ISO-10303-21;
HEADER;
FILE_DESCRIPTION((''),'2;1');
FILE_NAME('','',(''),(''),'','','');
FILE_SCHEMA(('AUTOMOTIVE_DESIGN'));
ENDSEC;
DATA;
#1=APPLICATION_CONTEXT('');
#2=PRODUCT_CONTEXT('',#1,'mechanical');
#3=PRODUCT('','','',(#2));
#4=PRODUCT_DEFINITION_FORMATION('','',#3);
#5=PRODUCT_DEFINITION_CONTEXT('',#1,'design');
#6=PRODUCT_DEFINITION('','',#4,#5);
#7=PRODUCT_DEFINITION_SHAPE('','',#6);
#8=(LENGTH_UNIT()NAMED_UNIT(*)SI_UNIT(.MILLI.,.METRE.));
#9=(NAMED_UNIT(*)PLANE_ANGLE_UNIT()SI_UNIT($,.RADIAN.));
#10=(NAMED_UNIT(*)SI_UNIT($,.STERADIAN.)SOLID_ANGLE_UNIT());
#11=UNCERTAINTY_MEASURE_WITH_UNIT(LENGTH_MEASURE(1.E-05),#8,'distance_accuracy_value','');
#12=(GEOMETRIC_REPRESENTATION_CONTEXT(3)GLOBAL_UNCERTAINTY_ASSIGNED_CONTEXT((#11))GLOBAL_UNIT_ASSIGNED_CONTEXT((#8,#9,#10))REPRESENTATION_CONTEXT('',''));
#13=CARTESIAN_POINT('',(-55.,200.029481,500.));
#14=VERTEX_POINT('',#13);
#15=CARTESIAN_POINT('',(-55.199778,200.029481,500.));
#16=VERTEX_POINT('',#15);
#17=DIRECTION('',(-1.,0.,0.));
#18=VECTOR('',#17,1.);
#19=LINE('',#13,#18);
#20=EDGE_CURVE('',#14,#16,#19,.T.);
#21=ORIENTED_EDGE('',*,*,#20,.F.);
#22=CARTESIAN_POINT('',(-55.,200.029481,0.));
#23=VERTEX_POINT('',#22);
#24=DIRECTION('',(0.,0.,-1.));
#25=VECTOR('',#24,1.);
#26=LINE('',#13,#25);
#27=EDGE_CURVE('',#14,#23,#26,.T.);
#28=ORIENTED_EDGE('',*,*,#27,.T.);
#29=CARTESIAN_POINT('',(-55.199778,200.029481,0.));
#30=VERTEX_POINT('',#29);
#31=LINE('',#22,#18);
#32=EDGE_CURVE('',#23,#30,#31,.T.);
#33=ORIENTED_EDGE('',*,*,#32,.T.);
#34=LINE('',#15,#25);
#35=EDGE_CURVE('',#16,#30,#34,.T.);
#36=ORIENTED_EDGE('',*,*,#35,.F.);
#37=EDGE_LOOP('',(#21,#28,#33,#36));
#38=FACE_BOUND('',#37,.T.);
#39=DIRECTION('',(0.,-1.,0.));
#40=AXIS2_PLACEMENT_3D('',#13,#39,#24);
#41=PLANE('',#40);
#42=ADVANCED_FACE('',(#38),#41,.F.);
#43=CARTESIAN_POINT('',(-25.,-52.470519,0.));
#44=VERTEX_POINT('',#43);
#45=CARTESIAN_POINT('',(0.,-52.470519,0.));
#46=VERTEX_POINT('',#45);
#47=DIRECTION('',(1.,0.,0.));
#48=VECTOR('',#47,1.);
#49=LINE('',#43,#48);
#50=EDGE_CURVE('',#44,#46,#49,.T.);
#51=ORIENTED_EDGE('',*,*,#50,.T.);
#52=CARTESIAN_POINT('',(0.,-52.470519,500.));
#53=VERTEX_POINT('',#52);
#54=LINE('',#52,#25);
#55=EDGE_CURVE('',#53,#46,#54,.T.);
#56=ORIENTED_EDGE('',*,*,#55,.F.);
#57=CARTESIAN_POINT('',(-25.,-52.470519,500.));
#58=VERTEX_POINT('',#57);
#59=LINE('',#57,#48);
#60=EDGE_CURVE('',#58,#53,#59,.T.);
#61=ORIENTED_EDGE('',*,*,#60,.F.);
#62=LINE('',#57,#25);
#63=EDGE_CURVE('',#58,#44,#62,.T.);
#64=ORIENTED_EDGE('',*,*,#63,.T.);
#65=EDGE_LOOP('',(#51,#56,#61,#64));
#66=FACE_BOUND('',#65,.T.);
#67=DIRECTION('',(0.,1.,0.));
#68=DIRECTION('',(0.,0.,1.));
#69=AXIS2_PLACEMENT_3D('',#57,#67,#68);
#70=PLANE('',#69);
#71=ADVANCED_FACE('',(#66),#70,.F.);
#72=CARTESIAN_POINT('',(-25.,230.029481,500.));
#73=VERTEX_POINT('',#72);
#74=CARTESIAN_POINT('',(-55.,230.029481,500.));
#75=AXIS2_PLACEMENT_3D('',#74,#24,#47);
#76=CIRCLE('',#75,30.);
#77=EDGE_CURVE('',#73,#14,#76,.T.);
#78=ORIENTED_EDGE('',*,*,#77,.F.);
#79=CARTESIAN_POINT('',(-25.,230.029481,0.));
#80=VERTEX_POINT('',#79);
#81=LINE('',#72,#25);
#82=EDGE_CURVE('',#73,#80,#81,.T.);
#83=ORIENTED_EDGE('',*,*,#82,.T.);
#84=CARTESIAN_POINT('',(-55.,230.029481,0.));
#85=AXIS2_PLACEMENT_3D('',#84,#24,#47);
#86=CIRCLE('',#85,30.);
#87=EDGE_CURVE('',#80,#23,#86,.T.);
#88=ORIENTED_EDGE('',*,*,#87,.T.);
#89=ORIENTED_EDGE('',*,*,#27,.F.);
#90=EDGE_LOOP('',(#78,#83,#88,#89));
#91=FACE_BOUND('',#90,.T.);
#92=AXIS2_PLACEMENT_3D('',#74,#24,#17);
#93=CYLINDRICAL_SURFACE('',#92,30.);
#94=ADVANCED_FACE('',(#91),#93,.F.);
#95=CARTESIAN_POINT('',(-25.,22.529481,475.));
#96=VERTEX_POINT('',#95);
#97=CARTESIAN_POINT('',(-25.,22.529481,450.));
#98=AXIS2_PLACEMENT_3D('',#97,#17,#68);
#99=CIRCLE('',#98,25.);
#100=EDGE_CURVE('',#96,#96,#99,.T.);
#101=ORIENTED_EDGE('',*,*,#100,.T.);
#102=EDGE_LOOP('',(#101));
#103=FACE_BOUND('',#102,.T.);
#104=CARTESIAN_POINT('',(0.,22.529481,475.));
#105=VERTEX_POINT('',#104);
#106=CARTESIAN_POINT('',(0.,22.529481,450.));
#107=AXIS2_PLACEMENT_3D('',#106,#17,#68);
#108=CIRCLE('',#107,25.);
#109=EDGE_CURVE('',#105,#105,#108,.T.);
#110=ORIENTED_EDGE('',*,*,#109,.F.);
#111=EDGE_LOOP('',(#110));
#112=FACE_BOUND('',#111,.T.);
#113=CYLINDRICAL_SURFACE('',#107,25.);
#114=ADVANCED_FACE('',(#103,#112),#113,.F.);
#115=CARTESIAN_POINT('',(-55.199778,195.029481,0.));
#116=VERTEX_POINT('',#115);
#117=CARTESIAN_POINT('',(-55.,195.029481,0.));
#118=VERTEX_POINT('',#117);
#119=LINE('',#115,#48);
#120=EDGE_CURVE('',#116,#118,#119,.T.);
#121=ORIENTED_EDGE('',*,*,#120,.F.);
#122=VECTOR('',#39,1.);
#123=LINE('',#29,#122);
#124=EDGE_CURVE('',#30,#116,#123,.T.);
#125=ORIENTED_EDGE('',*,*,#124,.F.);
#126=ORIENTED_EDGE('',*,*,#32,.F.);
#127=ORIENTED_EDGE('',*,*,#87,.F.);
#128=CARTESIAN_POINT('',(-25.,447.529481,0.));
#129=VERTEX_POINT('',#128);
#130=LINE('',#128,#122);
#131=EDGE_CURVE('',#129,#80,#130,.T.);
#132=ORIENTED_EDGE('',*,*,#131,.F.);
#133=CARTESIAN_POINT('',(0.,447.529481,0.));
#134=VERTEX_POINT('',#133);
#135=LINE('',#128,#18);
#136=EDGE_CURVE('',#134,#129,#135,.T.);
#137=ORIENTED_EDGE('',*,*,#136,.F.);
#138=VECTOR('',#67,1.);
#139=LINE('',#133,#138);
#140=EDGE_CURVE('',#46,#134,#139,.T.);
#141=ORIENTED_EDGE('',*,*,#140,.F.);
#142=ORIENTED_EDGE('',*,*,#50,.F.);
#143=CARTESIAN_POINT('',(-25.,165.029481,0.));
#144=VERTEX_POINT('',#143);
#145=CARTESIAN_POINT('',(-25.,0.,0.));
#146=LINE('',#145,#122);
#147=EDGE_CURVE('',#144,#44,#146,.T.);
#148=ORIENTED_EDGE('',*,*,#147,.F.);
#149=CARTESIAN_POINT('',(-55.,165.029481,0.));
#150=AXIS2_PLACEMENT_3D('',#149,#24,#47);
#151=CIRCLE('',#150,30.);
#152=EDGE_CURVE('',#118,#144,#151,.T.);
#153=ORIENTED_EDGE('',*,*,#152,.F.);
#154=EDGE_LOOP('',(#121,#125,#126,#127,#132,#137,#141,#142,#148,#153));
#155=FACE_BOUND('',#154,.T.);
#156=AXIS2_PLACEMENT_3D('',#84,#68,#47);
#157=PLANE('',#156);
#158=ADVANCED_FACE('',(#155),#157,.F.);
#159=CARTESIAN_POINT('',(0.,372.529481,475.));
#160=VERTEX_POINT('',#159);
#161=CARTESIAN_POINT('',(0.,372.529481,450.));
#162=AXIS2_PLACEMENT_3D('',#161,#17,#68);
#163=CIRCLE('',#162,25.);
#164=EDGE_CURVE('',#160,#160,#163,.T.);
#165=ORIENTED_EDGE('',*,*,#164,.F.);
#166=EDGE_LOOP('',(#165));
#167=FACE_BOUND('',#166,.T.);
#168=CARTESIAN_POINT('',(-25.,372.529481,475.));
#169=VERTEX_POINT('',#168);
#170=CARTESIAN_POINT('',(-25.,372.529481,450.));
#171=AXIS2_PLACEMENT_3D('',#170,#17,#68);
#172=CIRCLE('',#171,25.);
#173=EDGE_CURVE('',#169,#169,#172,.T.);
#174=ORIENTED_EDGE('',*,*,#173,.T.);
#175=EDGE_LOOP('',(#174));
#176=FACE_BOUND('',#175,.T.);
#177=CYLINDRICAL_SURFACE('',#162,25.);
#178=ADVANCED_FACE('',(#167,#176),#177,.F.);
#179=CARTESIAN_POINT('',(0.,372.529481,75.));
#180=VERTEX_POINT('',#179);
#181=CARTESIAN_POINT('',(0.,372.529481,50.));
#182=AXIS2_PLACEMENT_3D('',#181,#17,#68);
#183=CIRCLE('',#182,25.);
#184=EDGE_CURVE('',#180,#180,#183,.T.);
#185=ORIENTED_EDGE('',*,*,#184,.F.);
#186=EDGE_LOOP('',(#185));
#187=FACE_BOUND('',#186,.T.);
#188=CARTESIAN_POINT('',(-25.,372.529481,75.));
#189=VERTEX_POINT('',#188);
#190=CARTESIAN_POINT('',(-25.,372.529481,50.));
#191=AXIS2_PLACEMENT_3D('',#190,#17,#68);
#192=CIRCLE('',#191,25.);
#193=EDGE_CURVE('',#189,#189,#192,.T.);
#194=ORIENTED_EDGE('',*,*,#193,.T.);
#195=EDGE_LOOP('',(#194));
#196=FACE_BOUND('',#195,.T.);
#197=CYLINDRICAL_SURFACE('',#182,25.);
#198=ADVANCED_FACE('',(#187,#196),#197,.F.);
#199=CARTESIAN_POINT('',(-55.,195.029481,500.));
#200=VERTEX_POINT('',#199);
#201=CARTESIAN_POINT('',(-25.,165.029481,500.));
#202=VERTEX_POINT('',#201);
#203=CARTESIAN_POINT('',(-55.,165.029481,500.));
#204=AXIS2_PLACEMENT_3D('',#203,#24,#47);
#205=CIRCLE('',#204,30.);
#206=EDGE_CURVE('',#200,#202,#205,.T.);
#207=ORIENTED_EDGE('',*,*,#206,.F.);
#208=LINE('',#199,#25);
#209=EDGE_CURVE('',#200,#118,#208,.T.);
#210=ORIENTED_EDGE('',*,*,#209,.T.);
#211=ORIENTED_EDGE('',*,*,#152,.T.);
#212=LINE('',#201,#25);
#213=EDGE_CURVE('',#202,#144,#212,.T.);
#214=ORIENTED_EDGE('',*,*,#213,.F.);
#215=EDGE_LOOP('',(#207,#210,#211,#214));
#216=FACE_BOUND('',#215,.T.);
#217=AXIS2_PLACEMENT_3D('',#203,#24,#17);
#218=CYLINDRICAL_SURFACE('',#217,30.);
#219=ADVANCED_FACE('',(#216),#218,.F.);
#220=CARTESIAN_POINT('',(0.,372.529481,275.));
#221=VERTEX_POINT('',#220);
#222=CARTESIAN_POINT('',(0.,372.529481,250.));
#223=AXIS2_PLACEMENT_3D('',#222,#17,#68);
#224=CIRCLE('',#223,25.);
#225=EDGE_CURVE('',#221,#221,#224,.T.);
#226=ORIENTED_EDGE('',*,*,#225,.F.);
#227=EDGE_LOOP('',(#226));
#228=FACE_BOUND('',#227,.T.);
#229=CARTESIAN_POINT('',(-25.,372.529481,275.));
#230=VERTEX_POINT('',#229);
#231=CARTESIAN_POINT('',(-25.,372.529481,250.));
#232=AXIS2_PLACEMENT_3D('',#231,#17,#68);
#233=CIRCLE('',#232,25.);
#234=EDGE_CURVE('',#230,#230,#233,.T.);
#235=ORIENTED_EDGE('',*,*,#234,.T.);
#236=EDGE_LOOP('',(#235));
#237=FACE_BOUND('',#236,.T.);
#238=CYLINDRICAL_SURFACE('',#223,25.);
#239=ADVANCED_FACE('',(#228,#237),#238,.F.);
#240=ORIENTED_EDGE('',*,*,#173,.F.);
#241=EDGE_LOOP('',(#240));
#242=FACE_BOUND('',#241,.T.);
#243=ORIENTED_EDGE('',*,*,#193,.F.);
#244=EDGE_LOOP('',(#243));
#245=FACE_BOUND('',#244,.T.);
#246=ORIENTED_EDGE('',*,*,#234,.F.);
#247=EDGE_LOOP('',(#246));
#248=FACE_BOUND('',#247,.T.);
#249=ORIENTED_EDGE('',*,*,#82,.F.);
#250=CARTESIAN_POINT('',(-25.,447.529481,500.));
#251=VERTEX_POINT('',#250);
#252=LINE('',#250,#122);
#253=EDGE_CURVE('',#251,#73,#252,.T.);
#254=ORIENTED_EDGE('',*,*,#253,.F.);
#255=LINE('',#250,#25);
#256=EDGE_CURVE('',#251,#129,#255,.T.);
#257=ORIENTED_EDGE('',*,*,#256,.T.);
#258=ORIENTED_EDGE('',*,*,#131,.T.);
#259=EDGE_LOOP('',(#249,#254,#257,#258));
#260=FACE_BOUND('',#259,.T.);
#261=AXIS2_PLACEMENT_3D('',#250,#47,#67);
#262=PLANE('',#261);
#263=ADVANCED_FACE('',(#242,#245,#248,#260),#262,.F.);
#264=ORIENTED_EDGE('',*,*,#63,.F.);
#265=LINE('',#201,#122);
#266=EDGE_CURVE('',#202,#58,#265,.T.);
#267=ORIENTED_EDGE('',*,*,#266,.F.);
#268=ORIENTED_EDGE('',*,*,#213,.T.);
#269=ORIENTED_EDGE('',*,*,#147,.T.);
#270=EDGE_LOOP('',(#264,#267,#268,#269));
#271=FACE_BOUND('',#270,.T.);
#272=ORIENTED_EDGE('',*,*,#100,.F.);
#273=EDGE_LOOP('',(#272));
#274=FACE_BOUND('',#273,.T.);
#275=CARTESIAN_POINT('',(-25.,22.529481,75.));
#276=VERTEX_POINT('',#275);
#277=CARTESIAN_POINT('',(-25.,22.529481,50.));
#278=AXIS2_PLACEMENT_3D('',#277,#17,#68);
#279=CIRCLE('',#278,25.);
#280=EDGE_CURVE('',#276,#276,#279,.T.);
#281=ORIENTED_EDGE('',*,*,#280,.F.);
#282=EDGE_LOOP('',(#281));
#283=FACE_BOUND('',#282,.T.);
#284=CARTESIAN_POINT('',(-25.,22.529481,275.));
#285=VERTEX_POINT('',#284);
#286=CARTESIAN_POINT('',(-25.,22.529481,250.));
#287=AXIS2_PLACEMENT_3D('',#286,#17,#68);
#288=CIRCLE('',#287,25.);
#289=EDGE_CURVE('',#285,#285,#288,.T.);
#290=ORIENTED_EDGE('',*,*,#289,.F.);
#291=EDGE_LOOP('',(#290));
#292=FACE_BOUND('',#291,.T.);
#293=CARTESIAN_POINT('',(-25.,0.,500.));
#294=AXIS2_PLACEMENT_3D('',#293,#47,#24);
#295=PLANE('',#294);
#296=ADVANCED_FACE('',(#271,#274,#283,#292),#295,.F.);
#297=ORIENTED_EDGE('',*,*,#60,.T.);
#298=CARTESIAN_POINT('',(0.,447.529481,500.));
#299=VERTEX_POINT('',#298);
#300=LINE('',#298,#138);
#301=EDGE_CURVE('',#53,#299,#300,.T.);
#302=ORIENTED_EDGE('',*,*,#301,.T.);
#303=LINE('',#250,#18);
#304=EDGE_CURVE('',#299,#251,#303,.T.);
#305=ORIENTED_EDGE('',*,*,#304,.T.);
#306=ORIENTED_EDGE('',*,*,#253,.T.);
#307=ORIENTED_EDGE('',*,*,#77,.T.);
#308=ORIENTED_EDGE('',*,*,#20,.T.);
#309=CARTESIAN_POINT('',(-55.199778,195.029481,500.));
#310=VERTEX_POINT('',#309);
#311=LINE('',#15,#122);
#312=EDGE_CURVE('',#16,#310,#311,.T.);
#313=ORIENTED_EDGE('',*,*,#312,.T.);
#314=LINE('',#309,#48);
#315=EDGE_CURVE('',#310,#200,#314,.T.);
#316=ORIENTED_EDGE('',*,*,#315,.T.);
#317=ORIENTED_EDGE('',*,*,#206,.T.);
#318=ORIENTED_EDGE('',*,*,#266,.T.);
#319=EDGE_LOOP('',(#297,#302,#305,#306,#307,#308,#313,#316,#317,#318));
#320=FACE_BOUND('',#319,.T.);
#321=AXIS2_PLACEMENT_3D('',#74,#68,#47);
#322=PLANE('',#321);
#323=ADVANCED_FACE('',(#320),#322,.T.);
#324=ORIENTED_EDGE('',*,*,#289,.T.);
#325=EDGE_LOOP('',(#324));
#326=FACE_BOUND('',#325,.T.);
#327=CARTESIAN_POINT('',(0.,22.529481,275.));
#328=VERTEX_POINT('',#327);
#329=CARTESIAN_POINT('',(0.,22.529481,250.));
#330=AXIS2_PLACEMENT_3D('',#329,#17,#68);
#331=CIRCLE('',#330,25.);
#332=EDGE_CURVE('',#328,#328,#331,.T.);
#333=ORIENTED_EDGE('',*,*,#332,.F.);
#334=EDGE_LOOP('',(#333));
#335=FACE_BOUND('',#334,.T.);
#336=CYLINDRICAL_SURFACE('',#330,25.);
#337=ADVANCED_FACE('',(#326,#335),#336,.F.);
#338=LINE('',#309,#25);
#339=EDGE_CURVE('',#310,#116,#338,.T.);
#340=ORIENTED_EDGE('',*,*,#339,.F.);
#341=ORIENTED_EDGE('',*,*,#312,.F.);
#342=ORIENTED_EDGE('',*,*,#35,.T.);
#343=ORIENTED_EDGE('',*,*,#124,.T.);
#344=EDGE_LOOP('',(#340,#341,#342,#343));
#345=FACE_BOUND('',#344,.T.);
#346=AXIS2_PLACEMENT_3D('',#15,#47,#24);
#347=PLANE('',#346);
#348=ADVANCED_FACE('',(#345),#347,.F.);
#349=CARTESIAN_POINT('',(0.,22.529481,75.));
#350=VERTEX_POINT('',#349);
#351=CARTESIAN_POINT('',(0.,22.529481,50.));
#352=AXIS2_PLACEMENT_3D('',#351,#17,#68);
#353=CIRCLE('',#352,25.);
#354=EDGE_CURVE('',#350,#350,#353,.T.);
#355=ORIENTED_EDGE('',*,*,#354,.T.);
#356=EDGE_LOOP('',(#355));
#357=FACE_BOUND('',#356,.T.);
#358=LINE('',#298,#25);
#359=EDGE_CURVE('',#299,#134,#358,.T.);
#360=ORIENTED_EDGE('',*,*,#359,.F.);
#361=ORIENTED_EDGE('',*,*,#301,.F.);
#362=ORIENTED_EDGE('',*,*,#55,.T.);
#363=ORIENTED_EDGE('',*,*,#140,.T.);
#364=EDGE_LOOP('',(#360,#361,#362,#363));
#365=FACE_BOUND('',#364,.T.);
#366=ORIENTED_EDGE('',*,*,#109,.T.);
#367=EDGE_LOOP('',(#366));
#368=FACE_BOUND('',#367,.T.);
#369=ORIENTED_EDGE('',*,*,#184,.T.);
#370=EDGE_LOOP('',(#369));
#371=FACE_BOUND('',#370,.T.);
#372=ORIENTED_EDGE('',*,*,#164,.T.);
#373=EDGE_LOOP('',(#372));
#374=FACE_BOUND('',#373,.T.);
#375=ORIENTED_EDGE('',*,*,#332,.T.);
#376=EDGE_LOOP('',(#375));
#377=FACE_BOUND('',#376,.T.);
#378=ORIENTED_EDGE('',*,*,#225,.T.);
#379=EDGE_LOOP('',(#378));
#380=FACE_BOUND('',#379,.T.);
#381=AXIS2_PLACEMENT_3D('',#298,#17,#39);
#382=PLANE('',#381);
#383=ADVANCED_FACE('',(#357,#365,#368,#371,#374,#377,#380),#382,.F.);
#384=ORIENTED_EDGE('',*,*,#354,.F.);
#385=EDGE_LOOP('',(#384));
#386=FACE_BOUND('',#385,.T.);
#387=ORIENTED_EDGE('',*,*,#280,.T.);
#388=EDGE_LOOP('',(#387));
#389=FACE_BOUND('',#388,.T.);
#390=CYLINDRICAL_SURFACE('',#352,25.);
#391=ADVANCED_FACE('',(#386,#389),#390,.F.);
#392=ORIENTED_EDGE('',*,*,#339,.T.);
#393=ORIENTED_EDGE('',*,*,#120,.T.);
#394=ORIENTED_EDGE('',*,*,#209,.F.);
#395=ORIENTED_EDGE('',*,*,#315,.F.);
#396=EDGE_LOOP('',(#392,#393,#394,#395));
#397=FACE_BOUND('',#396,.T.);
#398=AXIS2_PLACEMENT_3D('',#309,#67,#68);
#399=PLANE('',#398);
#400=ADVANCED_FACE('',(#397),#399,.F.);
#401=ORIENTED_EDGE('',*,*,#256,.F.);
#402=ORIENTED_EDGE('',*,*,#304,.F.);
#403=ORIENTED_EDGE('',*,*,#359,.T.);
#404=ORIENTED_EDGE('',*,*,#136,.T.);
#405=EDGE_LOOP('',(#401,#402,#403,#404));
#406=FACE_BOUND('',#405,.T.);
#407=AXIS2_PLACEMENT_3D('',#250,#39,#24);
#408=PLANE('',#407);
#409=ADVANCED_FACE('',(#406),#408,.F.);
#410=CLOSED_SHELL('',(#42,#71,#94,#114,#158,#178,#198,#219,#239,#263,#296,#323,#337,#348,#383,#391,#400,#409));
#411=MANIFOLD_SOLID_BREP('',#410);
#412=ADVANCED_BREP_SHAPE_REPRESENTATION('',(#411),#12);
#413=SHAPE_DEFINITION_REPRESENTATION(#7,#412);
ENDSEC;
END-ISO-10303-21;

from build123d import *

# Parameters (mm, degrees)
EXTRUDE1_DEPTH     = 500
SKETCH3_R          = 25
CUT_EXTRUDE1_DEPTH = 672.710252301


with BuildPart() as part:
    # Sketch1 → Extrude1 (new body)
    with BuildSketch(Plane.XY):
        with BuildLine():
            Line((-25, 447.529481132), (0, 447.529481132))
            Line((0, 447.529481132), (0, -52.470518868))
            Line((0, -52.470518868), (-25, -52.470518868))
            Line((-25, -52.470518868), (-25, 0))
            Line((-25, 0), (-25, 165.029481132))
            ThreePointArc((-25, 165.029481132), (-33.786796564, 186.242684568), (-55, 195.029481132))
            Line((-55, 195.029481132), (-55.199777542, 195.029481132))
            Line((-55.199777542, 195.029481132), (-55.199777542, 200.029481132))
            Line((-55.199777542, 200.029481132), (-55, 200.029481132))
            ThreePointArc((-55, 200.029481132), (-33.786796564, 208.816277696), (-25, 230.029481132))
            Line((-25, 230.029481132), (-25, 447.529481132))
        make_face()
    extrude(amount=EXTRUDE1_DEPTH)

    # Sketch3 → Cut-Extrude1 (cut, through all)
    with BuildSketch(Plane.ZY.offset(25)):
        with Locations((450, 22.529481132)):
            Circle(SKETCH3_R)
        with Locations((250, 22.529481132)):
            Circle(SKETCH3_R)
        with Locations((50, 22.529481132)):
            Circle(SKETCH3_R)
        with Locations((450, 372.529481132)):
            Circle(SKETCH3_R)
        with Locations((250, 372.529481132)):
            Circle(SKETCH3_R)
        with Locations((50, 372.529481132)):
            Circle(SKETCH3_R)
    extrude(amount=-CUT_EXTRUDE1_DEPTH, mode=Mode.SUBTRACT)


solid = part.part
